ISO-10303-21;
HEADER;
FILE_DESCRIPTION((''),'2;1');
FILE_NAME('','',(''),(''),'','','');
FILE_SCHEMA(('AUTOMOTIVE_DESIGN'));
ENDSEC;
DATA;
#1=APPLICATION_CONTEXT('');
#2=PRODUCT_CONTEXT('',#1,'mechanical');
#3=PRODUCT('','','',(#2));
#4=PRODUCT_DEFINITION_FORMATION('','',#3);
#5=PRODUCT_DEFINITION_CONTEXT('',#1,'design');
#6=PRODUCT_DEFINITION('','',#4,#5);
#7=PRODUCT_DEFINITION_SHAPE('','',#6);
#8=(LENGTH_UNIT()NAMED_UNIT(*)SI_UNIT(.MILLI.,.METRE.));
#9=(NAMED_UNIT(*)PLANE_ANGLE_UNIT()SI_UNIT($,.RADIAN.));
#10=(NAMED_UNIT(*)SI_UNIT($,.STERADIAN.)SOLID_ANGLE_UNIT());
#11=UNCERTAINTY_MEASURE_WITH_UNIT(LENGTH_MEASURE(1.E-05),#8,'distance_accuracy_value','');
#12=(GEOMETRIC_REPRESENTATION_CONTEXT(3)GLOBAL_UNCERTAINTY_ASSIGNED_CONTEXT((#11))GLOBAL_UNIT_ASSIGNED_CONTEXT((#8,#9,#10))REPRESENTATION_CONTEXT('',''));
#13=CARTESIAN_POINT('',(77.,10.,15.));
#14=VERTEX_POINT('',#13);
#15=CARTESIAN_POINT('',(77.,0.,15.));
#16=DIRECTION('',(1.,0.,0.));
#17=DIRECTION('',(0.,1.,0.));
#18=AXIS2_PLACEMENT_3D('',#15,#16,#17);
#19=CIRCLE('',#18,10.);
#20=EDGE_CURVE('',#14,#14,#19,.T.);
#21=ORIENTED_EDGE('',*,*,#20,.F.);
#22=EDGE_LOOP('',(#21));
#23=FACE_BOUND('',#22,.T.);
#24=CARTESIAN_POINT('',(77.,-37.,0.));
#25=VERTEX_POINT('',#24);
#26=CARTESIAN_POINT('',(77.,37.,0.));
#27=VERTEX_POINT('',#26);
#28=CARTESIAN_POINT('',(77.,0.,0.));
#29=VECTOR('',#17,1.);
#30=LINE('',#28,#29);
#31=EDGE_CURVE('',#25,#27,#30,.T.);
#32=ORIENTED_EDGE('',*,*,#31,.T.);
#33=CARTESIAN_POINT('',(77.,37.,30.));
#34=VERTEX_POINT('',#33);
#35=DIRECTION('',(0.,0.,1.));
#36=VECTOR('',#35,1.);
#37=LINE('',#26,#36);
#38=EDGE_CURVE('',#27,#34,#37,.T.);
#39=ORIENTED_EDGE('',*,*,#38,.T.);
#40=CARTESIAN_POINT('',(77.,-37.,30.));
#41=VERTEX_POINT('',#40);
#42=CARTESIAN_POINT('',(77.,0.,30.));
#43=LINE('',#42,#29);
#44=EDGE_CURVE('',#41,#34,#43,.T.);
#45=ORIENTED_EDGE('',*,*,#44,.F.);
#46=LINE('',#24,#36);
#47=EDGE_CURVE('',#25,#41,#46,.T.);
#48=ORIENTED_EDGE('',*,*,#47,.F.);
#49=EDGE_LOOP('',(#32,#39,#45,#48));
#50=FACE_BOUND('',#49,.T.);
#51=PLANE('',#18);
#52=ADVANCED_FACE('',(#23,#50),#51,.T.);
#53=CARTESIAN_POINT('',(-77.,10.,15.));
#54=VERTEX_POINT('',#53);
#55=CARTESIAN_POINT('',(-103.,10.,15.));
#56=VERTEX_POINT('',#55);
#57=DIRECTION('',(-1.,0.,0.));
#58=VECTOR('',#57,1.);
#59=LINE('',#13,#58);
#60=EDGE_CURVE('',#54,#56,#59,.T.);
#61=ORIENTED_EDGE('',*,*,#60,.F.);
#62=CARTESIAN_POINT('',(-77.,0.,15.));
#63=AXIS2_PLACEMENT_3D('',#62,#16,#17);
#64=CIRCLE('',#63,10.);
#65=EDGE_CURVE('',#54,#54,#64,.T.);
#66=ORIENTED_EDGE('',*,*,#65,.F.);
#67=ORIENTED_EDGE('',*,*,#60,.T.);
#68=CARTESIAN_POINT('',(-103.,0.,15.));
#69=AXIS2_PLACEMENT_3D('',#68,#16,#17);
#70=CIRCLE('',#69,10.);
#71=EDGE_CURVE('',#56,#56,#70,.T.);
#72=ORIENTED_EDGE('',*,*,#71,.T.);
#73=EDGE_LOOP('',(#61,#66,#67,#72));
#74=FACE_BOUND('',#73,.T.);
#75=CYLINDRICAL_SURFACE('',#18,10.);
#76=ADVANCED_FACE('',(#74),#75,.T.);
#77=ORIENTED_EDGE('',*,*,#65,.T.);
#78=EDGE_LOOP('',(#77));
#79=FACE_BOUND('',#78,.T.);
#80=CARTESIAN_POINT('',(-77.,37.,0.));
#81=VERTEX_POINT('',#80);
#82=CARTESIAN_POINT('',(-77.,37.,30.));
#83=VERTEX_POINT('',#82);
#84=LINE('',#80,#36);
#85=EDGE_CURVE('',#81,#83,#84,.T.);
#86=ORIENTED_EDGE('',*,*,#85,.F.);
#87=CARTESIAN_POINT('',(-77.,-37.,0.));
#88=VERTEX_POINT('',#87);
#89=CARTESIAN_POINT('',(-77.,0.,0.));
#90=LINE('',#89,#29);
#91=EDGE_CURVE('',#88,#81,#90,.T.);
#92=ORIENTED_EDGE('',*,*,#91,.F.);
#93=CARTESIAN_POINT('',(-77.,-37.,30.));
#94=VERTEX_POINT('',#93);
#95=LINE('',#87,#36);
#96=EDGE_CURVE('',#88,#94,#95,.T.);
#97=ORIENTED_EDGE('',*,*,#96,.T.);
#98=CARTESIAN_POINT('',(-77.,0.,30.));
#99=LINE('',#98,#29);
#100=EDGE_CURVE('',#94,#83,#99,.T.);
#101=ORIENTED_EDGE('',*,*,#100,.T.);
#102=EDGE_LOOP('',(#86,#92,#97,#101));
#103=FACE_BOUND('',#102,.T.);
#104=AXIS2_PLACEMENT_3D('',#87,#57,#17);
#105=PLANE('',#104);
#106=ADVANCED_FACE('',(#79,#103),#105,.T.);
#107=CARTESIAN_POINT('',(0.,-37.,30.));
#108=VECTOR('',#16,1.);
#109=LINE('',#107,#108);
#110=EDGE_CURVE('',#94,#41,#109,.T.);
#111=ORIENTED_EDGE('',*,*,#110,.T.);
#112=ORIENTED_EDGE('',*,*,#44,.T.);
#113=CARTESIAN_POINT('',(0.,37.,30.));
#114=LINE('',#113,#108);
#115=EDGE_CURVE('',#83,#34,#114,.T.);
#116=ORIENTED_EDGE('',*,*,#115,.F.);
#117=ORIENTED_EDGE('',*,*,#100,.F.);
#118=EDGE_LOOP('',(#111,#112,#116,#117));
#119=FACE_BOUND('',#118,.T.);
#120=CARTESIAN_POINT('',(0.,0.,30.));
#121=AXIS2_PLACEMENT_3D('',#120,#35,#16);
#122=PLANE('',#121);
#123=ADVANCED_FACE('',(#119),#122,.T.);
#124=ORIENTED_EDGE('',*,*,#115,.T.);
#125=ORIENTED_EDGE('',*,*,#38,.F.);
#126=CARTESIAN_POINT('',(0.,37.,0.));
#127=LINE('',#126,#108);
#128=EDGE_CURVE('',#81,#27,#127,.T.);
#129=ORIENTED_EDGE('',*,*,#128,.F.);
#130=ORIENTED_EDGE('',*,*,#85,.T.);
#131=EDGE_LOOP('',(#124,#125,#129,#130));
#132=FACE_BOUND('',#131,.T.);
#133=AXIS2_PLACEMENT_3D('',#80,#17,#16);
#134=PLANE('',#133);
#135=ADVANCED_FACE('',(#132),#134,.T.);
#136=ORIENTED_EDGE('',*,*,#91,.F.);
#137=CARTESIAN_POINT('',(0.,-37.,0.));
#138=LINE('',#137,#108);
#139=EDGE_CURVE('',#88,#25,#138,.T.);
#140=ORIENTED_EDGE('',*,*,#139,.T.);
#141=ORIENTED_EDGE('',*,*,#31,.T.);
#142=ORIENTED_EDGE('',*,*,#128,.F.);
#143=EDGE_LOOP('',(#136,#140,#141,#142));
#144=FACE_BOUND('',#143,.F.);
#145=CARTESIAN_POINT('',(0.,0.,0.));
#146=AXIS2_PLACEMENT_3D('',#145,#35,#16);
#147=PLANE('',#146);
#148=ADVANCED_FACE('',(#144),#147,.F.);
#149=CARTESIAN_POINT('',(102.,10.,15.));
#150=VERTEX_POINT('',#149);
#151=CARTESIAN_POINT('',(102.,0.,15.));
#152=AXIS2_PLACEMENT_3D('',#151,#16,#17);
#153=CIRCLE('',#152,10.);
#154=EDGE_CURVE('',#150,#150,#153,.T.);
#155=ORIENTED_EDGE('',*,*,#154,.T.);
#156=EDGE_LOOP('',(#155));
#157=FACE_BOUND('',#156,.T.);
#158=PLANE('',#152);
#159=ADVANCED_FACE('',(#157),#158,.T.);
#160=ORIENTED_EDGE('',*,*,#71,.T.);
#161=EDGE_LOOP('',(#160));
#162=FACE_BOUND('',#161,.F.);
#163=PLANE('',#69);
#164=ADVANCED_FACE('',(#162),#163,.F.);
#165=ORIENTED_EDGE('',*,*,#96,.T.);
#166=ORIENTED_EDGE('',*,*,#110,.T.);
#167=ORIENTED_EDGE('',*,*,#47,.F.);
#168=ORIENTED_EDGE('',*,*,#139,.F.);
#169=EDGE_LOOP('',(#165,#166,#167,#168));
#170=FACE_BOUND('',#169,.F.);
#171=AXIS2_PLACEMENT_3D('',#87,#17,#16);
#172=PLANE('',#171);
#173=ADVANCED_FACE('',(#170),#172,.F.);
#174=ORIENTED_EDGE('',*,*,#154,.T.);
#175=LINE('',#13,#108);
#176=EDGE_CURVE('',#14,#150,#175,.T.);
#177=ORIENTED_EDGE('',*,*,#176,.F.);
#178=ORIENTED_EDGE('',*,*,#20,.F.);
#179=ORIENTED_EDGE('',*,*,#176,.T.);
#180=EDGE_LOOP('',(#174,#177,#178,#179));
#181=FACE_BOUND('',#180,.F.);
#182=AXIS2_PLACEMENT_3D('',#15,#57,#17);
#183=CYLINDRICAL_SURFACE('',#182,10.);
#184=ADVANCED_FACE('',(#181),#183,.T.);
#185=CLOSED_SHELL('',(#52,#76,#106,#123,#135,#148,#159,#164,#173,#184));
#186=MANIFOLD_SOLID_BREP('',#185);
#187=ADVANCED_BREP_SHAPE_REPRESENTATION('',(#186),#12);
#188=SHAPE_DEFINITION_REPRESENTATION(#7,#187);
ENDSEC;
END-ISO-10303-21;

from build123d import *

# Parameters (mm, degrees)
F0_W          = 154
F0_H          = 74
F1_DEPTH      = 30
F2_R          = 10
F3_DEPTH      = 180
F3_DEPTH_BACK = 25


with BuildPart() as f1:
    # F0 (on Top) → F1 (new body)
    with BuildSketch(Plane.XY):
        Rectangle(F0_W, F0_H)
    extrude(amount=F1_DEPTH)

    # F2 (on face) → F3 (join, two sides)
    with BuildSketch(Plane.YZ.offset(77)) as f3_sk:
        with Locations((0, 15)):
            Circle(F2_R)
    extrude(amount=-F3_DEPTH)
    extrude(f3_sk.sketch, amount=F3_DEPTH_BACK)


solid = f1.part
